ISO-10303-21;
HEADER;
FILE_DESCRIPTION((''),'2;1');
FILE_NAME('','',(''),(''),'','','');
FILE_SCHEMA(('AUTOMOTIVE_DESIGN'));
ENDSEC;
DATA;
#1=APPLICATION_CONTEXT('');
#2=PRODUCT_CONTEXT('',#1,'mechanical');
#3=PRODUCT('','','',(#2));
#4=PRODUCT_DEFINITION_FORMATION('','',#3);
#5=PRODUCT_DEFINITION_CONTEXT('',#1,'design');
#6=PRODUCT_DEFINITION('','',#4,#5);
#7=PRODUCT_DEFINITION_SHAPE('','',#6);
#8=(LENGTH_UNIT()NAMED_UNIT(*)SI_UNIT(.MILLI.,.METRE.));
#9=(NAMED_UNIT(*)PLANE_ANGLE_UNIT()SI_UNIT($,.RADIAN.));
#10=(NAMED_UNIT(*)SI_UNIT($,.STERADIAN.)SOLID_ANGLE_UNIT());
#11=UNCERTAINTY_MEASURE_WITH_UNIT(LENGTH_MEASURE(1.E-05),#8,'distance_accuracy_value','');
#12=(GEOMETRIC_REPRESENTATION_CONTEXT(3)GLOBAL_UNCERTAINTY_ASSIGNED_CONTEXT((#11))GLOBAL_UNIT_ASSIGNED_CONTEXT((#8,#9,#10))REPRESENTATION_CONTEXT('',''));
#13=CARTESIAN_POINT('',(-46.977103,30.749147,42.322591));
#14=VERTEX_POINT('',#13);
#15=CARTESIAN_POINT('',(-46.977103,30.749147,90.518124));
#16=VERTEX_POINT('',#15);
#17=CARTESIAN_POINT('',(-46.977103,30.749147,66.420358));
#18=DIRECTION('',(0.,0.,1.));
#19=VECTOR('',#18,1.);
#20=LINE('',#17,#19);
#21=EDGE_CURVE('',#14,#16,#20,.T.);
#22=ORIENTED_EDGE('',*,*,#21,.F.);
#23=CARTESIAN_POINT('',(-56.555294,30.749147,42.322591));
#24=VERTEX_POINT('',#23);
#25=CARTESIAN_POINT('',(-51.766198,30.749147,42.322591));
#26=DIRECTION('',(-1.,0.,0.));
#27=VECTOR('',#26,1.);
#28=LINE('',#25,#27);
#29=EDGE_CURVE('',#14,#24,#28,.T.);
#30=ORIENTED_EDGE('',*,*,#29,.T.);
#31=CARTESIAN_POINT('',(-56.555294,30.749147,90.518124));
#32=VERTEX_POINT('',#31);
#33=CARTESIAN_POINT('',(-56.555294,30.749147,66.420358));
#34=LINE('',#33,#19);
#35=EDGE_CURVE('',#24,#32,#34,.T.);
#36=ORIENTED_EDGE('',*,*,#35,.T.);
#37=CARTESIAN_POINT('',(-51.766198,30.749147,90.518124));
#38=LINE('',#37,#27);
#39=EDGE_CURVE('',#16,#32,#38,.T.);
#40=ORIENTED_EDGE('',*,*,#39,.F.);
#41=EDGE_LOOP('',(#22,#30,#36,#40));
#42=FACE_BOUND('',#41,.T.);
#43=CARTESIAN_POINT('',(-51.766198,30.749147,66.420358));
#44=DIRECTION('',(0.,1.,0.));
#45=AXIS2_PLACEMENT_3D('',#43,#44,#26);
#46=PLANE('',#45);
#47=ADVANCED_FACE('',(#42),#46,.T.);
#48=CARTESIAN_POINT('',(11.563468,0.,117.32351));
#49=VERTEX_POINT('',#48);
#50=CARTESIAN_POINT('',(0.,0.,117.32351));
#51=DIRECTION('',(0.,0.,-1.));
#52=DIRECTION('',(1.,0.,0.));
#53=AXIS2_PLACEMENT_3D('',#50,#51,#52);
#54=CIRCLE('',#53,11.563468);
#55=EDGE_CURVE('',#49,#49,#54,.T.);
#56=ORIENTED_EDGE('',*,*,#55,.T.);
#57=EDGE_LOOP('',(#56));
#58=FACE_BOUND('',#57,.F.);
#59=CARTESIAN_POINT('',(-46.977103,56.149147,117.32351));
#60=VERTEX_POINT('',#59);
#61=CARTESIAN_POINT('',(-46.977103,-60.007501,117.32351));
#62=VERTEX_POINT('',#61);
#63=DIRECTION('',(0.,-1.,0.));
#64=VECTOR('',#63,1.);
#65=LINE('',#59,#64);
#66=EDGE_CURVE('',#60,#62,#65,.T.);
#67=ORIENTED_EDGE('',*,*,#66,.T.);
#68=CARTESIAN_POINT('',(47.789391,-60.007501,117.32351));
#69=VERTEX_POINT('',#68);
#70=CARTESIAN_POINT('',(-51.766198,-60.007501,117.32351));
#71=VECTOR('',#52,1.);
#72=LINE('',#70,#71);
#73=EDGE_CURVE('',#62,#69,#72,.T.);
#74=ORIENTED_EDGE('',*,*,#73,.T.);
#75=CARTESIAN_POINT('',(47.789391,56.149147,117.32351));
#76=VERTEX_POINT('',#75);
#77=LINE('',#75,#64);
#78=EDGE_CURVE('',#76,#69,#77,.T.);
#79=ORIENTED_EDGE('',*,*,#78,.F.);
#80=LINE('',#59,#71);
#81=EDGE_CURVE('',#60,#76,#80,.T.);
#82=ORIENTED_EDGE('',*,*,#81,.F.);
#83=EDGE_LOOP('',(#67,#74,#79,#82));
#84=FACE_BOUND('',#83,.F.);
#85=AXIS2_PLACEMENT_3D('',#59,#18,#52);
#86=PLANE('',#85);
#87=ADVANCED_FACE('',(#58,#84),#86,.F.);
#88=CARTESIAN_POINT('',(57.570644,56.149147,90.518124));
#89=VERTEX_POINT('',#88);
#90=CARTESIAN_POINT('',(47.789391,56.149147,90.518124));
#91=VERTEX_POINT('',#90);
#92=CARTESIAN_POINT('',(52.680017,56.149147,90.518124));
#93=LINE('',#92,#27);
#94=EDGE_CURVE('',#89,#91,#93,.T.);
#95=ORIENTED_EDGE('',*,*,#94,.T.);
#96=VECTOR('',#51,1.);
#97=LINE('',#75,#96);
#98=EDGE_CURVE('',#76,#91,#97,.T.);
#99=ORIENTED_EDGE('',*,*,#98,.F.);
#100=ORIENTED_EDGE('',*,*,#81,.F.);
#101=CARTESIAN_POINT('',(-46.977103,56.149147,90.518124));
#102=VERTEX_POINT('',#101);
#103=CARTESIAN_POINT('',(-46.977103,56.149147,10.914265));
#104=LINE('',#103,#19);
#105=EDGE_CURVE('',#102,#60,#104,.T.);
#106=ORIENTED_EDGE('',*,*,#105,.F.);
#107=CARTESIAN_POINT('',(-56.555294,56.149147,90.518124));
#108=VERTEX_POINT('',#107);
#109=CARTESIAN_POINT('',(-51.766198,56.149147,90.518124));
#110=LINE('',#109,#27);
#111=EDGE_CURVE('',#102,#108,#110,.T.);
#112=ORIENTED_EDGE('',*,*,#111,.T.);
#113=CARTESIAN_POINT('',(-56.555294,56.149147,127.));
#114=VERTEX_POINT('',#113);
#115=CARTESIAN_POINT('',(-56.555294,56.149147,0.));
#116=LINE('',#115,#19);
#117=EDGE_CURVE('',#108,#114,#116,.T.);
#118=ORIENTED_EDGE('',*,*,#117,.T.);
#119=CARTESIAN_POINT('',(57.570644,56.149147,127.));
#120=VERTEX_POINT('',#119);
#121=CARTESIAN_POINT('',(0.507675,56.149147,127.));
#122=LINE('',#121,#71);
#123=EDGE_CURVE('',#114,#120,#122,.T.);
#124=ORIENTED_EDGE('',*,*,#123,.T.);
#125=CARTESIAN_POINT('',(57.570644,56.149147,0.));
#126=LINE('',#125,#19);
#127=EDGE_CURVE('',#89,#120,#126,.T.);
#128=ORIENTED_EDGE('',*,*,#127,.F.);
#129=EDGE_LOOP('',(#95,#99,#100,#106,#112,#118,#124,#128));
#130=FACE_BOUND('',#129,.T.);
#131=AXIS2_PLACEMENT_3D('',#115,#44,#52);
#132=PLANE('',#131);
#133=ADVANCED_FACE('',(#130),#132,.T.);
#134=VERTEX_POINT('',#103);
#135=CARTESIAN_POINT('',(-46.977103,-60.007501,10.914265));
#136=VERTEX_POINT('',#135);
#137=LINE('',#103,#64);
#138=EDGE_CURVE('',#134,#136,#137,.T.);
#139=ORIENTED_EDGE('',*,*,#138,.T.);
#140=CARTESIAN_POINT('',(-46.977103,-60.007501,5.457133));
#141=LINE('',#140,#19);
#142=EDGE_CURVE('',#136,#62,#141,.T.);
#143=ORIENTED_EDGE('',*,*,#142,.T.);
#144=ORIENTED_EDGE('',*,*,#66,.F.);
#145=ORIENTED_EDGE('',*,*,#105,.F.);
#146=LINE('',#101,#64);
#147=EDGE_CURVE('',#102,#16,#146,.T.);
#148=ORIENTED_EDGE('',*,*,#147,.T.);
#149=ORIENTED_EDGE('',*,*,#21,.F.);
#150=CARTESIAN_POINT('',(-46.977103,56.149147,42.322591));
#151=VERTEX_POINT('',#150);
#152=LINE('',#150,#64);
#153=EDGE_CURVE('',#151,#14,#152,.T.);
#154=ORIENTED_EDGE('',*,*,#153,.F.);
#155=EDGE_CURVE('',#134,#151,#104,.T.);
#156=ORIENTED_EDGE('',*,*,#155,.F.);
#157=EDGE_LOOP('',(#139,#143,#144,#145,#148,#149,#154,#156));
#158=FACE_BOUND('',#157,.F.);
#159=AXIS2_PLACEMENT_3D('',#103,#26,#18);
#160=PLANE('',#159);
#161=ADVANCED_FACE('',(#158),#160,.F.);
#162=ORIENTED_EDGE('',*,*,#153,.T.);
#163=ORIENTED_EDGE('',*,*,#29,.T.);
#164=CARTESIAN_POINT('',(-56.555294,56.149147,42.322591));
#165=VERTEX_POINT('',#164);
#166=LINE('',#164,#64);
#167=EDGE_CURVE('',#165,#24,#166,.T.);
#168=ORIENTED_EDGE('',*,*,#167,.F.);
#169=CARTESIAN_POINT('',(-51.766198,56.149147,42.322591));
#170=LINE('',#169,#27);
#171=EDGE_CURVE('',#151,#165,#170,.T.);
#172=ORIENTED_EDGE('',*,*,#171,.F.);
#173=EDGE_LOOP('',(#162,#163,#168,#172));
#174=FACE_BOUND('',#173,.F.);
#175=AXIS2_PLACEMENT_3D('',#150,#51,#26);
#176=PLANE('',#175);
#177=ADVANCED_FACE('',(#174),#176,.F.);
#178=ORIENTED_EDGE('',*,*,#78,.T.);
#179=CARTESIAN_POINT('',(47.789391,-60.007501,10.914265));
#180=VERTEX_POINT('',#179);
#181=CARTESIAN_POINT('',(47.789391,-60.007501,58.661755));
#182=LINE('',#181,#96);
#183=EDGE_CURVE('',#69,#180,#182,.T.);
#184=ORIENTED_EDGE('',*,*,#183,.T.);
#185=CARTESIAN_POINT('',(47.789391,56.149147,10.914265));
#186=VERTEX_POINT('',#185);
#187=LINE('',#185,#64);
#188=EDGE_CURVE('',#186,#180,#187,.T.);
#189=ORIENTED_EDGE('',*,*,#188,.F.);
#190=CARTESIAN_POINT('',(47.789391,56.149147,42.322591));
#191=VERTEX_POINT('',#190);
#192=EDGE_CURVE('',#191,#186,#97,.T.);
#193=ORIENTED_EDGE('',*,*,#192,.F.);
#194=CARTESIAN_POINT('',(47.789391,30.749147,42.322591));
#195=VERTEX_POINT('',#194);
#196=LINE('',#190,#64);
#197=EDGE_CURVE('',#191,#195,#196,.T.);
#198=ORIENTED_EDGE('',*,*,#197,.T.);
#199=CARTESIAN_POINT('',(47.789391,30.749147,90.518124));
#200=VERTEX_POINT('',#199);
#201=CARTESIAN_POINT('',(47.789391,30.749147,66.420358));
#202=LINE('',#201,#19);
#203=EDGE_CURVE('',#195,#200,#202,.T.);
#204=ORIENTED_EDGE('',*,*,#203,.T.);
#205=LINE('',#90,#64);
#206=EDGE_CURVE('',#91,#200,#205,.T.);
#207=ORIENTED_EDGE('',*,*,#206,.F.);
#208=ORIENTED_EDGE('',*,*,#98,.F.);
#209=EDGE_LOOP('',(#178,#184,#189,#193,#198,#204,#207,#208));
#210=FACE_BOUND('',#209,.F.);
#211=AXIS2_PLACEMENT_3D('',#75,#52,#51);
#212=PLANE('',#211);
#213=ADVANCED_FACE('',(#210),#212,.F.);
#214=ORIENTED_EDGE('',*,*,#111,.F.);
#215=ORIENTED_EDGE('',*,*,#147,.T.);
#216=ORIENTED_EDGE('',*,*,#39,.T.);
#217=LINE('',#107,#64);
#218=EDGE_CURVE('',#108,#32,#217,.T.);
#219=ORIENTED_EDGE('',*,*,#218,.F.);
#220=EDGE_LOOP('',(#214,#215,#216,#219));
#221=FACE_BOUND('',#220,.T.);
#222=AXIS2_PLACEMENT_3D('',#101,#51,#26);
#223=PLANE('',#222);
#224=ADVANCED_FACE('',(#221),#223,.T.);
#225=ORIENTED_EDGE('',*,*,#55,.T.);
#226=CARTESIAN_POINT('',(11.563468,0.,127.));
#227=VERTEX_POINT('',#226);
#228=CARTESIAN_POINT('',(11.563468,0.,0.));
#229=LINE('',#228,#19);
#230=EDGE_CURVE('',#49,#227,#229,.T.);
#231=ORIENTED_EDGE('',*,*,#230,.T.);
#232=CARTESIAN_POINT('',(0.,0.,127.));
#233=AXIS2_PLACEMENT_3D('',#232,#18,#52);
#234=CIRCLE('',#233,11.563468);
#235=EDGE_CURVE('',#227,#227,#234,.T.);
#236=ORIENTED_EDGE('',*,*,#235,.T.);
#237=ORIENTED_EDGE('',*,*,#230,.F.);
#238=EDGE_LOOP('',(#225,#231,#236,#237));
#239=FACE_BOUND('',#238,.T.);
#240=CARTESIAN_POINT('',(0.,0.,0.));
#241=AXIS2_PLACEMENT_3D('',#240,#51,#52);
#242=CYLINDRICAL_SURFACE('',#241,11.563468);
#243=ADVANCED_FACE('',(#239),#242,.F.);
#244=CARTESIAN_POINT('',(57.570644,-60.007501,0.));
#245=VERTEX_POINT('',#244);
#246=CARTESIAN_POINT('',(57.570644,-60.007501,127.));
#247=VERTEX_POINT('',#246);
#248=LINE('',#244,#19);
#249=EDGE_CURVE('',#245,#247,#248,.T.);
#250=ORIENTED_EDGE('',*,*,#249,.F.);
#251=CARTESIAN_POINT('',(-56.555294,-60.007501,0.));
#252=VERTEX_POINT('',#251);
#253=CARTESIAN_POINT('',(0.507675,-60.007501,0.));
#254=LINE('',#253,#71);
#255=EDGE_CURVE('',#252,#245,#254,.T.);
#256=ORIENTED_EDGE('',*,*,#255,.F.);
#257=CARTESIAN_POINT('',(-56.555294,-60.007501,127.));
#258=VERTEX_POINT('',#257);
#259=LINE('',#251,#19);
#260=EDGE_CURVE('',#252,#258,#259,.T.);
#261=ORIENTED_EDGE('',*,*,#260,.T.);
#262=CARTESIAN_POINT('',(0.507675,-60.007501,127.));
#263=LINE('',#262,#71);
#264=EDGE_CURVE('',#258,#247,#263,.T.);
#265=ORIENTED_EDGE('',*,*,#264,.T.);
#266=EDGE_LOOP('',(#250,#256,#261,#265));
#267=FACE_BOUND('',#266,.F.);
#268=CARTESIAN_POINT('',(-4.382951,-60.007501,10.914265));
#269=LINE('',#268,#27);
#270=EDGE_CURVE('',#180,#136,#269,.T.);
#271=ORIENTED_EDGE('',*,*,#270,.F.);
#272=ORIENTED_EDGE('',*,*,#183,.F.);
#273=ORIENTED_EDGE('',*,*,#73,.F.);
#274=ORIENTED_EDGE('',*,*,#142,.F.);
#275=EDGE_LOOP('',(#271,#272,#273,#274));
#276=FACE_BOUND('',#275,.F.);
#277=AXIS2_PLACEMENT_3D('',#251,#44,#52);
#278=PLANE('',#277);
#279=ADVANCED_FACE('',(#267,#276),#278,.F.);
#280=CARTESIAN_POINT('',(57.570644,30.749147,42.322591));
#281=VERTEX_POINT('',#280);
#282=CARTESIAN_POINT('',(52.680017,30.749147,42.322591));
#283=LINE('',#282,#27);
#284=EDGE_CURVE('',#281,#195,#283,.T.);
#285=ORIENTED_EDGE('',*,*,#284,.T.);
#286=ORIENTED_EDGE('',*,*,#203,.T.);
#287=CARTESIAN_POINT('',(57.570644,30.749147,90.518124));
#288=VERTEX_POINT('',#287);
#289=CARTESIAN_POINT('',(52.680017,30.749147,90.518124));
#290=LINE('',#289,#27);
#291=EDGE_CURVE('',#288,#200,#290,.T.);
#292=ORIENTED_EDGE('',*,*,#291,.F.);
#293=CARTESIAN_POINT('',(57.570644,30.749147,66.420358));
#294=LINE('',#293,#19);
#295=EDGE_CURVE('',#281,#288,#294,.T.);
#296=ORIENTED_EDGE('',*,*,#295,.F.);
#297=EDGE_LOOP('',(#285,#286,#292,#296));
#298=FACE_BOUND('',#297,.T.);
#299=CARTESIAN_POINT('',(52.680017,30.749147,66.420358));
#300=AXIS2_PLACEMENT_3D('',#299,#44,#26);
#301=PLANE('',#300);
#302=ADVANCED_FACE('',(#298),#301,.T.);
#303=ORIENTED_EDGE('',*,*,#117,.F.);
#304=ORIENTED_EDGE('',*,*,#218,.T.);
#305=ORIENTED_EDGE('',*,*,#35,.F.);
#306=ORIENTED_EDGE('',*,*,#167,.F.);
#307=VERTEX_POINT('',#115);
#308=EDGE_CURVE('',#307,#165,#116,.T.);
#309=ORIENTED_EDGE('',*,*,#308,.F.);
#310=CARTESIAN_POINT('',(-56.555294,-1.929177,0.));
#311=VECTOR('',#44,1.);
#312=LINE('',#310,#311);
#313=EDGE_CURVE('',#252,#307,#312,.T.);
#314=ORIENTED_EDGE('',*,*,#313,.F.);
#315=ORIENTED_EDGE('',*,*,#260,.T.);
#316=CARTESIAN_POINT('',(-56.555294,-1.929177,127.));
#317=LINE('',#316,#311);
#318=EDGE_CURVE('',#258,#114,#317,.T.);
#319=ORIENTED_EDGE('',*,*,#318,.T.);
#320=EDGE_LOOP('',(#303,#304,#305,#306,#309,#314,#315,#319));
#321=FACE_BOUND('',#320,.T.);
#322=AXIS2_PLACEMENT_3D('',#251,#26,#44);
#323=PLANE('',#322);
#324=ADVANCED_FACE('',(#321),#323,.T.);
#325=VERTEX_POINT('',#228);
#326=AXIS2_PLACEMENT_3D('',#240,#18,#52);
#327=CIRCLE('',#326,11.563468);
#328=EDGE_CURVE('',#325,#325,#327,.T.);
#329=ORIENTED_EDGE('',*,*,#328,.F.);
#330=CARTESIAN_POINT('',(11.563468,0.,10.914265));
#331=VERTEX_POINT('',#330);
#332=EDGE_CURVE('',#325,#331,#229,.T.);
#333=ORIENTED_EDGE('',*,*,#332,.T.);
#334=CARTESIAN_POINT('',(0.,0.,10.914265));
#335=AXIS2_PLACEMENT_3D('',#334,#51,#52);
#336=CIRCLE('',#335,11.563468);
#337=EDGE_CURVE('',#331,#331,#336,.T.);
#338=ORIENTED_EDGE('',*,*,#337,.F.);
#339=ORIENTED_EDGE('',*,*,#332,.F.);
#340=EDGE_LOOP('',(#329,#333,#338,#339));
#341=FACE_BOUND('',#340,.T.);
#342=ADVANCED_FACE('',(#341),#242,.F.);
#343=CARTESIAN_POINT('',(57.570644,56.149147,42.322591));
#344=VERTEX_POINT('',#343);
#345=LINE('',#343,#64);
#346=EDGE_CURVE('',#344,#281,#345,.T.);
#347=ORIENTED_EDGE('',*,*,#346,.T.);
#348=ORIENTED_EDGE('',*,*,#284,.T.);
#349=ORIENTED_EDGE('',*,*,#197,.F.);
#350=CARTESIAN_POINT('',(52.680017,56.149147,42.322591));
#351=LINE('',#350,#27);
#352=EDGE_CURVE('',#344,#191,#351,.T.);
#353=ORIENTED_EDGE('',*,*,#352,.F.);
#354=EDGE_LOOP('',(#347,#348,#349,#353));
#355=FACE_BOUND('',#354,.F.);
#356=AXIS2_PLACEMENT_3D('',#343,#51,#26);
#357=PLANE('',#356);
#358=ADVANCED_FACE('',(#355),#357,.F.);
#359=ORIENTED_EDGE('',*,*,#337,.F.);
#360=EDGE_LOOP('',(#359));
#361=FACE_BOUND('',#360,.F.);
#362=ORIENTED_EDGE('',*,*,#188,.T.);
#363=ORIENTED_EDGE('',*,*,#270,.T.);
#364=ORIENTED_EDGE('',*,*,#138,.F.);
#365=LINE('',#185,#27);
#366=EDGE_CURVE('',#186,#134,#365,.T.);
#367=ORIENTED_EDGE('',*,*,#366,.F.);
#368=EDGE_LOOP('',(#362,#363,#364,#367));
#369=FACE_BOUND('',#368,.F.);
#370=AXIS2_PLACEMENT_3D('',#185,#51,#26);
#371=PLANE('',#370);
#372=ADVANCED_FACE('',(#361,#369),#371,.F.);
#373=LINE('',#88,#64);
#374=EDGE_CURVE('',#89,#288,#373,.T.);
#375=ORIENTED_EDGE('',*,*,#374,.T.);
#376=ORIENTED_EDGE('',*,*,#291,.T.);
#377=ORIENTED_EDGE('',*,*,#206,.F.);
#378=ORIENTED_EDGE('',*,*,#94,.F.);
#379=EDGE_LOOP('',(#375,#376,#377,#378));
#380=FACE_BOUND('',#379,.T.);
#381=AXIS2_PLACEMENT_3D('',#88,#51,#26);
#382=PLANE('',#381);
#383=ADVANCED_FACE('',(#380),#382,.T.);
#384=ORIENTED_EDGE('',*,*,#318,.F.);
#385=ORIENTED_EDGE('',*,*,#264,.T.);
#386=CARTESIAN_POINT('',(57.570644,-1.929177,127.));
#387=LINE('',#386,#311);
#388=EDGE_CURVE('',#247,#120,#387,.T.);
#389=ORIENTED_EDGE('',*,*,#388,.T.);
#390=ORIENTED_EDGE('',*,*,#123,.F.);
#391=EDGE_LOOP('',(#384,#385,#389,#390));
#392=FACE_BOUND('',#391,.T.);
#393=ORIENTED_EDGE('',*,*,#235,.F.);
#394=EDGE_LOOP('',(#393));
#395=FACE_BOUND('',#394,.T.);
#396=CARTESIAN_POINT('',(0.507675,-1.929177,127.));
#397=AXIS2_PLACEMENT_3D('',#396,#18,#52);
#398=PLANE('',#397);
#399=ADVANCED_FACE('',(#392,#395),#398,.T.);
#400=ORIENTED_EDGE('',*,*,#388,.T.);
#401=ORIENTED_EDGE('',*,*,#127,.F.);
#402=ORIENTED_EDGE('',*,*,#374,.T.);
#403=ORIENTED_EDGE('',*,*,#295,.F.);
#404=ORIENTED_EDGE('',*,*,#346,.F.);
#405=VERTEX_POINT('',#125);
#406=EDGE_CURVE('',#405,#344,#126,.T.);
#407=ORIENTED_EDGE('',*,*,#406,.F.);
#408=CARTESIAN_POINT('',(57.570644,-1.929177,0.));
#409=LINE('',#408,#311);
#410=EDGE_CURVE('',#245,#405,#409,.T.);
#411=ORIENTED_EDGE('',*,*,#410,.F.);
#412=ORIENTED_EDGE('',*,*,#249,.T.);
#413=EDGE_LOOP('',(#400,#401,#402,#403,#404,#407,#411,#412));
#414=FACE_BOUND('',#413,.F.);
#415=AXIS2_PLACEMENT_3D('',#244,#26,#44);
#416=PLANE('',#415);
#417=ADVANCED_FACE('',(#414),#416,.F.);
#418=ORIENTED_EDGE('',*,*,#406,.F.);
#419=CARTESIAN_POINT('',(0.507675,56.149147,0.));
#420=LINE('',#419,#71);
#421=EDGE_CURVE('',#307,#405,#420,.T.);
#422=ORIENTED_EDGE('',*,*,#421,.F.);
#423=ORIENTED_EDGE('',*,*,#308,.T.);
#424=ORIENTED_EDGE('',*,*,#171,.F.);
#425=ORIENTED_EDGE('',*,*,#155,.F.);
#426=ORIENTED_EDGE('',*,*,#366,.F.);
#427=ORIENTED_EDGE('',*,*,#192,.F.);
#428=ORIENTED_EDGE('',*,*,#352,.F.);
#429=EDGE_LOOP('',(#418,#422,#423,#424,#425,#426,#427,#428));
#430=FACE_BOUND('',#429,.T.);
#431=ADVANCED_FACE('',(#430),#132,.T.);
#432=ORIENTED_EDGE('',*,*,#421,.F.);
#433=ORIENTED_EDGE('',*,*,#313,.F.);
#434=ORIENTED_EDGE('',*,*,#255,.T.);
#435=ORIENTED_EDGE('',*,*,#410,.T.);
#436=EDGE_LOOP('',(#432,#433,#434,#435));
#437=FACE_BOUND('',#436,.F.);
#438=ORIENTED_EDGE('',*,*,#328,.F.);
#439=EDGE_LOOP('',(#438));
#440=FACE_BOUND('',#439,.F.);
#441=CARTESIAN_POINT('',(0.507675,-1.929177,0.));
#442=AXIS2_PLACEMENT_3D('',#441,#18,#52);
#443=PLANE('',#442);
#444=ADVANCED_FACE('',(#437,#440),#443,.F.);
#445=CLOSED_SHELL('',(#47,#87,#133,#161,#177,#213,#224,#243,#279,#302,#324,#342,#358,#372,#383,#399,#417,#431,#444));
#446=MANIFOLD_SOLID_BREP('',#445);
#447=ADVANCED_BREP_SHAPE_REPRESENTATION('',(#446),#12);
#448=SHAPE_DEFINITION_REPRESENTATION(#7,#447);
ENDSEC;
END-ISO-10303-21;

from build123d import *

# Parameters (mm, degrees)
F0_W     = 114.1259372234
F0_H     = 116.1566488445
F0_R     = 11.5634677864
F1_DEPTH = 127
F3_DEPTH = 2514.6
F2_W     = 9.7812525928
F2_H     = 48.1955334544
F4_DEPTH = 25.4
F2_W_2   = 9.5781907439
F5_DEPTH = 25.4


with BuildPart() as f1:
    # F0 (on Top) → F1 (new body)
    with BuildSketch(Plane.XY):
        with Locations((0.5076751113, -1.9291769713)):
            Rectangle(F0_W, F0_H)
        Circle(F0_R, mode=Mode.SUBTRACT)
    extrude(amount=F1_DEPTH)

    # F2 (on face) → F3 (cut)
    with BuildSketch(Plane(origin=(0, 56.1491474509, 0), x_dir=(-1, 0, 0), z_dir=(0, 1, 0))):
        Polygon((46.9771027565, 117.3235103488), (-47.7893911302, 117.3235103488), (-47.7893911302, 90.5181244016), (-47.7893911302, 42.3225909472), (-47.7893911302, 10.9142651781), (46.9771027565, 10.9142651781), (46.9771027565, 42.3225909472), (46.9771027565, 90.5181244016), align=None)
    extrude(amount=-F3_DEPTH, mode=Mode.SUBTRACT)

    # F2 (on face) → F4 (cut)
    with BuildSketch(Plane(origin=(0, 56.1491474509, 0), x_dir=(-1, 0, 0), z_dir=(0, 1, 0))):
        with Locations((-52.6800174266, 66.4203576744)):
            Rectangle(F2_W, F2_H)
    extrude(amount=-F4_DEPTH, mode=Mode.SUBTRACT)

    # F2 (on face) → F5 (cut)
    with BuildSketch(Plane(origin=(0, 56.1491474509, 0), x_dir=(-1, 0, 0), z_dir=(0, 1, 0))):
        with Locations((51.7661981285, 66.4203576744)):
            Rectangle(F2_W_2, F2_H)
    extrude(amount=-F5_DEPTH, mode=Mode.SUBTRACT)


solid = f1.part
